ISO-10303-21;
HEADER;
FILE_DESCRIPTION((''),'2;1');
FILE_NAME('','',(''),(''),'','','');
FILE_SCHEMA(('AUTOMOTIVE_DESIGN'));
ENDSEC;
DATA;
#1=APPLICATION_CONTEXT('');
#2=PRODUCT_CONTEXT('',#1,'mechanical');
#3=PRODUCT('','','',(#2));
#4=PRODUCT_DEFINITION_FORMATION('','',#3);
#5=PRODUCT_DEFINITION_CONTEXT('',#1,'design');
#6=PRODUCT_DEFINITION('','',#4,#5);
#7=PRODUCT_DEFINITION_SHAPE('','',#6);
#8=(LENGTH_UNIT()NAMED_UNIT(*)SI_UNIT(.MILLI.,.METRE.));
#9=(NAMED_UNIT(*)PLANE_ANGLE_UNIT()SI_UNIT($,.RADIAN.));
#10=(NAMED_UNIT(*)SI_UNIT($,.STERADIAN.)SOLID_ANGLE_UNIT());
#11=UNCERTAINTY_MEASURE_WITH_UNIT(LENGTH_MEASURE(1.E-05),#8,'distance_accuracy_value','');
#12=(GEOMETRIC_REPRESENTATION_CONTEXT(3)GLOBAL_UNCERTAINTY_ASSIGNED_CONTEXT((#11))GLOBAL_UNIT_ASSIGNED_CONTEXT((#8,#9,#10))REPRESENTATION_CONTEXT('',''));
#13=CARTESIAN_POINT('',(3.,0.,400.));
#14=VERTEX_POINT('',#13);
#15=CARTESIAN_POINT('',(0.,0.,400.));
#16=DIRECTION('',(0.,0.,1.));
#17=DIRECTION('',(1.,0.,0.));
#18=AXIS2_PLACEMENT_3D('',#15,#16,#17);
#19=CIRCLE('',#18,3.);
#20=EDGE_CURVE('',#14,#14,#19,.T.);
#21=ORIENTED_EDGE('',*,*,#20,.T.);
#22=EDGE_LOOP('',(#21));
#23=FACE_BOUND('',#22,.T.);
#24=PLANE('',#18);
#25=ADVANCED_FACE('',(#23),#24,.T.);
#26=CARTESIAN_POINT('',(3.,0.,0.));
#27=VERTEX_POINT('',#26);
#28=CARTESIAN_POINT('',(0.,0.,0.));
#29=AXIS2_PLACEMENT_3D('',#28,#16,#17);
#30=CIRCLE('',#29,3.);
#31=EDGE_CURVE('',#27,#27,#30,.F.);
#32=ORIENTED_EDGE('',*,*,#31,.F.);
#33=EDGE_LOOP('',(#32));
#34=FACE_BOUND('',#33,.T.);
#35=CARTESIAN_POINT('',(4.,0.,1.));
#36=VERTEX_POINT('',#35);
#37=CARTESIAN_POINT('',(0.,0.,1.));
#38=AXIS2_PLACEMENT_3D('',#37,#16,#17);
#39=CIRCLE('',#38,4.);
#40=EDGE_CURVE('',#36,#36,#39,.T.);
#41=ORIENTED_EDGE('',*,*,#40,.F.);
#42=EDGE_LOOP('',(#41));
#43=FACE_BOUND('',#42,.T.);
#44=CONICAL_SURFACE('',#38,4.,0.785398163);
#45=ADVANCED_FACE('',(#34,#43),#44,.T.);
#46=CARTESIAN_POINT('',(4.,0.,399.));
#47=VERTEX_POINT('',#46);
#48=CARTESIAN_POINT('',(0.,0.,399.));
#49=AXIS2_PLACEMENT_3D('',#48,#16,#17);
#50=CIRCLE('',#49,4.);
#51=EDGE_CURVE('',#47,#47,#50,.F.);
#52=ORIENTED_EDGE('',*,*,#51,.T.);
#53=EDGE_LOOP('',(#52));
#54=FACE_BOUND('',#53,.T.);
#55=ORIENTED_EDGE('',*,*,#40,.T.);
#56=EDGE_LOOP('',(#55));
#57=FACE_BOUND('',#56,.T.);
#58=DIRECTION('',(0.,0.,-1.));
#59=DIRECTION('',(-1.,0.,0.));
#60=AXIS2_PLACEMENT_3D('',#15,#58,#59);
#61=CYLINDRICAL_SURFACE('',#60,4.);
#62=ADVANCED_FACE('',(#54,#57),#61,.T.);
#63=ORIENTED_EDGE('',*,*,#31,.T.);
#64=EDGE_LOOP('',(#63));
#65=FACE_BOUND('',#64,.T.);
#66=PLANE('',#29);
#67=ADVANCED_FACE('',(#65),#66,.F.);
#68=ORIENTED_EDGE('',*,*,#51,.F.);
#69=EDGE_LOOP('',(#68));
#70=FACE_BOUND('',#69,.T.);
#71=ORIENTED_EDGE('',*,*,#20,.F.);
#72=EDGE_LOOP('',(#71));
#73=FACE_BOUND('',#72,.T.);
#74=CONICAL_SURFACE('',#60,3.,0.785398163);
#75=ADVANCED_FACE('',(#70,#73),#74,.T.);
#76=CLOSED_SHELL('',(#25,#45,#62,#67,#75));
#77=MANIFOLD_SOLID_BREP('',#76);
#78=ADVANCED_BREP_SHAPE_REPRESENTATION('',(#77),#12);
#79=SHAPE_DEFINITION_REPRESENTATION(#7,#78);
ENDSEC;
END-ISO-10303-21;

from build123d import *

# Parameters (mm, degrees)
SCHIZZO1_R                   = 4
ESTRUSIONE_ESTRUSIONE1_DEPTH = 400
SMUSSO1_SIZE                 = 1


with BuildPart() as part:
    # Schizzo1 → Estrusione-Estrusione1 (new body)
    with BuildSketch(Plane.XY):
        Circle(SCHIZZO1_R)
    extrude(amount=ESTRUSIONE_ESTRUSIONE1_DEPTH)

    # Smusso1
    smusso1_edges = [part.edges().sort_by_distance(p)[0] for p in [
        (-4, 0, 0),
        (-4, 0, 400),
    ]]
    chamfer(smusso1_edges, length=SMUSSO1_SIZE)


solid = part.part
